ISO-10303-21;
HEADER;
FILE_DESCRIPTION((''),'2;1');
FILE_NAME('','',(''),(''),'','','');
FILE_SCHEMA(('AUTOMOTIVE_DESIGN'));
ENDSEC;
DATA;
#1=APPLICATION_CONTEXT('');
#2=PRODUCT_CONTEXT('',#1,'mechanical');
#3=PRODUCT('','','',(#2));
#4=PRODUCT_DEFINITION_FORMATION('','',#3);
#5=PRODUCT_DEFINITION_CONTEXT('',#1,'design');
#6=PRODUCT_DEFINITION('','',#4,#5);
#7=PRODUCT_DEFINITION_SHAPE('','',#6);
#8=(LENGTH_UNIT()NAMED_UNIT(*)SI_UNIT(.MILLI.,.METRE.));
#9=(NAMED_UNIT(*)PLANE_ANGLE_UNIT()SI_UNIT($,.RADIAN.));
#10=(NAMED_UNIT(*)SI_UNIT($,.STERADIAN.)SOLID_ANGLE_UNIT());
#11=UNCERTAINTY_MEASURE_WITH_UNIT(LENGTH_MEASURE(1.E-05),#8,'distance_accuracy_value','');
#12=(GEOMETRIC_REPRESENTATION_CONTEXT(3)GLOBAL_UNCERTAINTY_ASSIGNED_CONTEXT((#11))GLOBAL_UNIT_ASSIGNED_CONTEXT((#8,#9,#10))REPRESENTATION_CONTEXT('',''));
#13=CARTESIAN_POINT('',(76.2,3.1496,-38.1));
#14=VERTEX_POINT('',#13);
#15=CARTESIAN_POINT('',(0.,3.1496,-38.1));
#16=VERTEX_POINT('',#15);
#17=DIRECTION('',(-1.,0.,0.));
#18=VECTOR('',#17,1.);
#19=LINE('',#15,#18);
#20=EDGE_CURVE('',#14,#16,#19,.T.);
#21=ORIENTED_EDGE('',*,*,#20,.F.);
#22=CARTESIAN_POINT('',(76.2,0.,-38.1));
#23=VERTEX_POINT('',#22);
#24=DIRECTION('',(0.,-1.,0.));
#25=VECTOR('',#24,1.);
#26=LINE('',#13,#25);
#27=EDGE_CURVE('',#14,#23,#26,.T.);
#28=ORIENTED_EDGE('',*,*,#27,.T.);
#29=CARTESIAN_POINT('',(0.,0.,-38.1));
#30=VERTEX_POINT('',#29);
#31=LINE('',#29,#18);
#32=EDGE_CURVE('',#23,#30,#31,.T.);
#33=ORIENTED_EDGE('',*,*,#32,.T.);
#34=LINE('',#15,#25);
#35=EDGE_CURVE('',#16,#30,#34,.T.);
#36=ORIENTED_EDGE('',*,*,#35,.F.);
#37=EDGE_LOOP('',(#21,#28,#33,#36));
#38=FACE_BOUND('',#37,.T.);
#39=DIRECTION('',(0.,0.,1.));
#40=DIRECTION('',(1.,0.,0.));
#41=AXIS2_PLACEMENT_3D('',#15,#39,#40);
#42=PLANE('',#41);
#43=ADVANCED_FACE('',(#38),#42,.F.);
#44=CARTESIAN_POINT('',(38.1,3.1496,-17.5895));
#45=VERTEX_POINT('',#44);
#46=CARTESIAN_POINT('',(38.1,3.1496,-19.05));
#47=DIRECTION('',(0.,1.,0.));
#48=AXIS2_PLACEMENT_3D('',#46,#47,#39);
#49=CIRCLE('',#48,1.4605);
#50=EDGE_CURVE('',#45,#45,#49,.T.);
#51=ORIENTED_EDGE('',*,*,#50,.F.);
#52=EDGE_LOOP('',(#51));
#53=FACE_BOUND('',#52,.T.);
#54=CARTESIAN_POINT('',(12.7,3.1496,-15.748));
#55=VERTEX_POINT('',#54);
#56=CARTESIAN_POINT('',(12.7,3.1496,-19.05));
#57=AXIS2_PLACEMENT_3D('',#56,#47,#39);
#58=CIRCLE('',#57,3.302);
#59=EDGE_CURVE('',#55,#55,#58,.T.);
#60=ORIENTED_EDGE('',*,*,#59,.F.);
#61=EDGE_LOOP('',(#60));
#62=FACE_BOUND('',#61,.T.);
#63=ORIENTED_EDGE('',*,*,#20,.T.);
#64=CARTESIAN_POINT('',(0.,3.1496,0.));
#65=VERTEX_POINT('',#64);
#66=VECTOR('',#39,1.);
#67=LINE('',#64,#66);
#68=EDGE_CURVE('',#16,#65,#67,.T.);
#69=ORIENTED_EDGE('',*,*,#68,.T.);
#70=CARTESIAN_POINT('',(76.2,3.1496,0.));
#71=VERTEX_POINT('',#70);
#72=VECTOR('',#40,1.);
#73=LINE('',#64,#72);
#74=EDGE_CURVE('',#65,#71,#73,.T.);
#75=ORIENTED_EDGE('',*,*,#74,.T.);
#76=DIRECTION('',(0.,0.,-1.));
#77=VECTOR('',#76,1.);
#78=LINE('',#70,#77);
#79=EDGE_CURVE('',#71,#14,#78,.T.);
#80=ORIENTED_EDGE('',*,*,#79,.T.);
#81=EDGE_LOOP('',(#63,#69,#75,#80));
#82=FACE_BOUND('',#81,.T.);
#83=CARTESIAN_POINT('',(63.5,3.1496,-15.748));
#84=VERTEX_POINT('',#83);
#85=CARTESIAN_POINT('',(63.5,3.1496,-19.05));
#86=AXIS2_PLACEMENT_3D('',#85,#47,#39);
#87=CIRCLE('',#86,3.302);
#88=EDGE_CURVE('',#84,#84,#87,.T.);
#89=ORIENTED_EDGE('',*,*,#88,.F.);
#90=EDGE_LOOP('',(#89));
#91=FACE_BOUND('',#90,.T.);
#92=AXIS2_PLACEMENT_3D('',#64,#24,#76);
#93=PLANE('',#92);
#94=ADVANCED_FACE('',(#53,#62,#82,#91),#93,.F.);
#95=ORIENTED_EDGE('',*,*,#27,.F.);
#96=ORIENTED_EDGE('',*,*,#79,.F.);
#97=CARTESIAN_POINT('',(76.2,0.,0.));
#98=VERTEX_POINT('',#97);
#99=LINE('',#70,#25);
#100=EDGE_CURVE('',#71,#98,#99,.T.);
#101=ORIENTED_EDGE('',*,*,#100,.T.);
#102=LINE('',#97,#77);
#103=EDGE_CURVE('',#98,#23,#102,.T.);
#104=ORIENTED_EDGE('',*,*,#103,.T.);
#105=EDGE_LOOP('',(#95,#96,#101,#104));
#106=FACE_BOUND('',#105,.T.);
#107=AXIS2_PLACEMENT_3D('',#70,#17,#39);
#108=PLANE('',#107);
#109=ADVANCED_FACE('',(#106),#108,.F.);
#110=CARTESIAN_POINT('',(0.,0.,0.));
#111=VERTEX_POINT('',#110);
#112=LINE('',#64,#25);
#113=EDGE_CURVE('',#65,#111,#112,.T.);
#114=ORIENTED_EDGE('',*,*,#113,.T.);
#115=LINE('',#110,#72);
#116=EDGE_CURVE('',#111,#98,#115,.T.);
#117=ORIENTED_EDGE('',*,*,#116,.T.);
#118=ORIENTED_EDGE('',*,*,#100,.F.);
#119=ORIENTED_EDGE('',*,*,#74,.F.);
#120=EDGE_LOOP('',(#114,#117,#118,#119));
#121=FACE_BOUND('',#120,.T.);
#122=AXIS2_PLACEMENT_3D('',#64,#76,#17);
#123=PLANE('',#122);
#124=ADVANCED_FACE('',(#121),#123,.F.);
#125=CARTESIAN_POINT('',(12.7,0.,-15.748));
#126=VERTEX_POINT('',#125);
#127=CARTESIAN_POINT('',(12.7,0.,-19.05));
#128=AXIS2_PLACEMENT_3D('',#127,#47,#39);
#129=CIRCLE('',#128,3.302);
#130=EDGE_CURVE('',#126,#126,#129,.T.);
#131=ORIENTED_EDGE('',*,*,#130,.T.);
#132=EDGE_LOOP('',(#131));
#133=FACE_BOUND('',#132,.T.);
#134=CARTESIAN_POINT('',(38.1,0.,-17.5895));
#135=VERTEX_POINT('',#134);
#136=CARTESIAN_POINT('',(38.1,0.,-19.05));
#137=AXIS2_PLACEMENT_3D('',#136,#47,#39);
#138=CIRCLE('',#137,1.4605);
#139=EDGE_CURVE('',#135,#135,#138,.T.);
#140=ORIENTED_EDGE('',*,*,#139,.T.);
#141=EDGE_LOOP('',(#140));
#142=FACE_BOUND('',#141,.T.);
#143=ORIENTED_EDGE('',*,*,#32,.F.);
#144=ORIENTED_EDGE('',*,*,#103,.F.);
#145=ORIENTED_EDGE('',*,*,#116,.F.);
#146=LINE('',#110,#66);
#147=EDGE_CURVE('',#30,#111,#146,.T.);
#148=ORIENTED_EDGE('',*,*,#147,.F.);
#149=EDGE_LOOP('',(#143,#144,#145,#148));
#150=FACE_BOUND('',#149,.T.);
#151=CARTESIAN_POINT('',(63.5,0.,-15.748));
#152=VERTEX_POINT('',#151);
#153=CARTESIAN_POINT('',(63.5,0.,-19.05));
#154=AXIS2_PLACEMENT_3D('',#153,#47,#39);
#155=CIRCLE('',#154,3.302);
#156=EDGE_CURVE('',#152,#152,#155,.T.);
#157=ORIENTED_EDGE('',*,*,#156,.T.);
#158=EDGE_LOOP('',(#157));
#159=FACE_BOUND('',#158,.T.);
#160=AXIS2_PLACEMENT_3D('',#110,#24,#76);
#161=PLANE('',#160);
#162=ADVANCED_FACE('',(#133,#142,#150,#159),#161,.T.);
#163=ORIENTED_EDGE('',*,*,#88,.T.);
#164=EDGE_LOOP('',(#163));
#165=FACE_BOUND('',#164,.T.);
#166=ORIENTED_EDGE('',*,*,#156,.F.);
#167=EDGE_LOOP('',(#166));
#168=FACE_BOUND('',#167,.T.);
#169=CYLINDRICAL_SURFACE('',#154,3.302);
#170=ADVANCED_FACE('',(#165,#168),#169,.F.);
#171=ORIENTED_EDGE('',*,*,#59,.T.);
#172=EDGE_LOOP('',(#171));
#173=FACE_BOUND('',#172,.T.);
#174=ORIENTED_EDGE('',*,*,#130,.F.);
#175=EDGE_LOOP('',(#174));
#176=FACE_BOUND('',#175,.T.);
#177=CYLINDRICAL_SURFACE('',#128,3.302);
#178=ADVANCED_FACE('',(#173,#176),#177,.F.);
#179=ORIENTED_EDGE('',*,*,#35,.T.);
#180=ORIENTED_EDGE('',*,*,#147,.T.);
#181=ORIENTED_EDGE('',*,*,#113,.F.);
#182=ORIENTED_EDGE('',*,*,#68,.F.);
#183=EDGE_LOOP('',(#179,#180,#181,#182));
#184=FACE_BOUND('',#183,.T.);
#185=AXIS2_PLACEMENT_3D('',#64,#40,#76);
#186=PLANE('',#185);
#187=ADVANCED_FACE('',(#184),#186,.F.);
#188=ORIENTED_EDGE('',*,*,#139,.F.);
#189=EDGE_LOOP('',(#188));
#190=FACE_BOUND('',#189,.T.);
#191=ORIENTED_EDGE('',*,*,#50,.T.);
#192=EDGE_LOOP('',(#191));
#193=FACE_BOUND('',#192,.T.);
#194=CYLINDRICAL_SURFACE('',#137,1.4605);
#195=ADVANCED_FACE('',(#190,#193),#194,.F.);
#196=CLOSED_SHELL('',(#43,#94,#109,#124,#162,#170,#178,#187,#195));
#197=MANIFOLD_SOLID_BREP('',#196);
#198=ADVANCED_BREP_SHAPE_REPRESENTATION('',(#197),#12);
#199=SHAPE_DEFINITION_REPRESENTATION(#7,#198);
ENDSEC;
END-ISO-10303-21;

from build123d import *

# Parameters (mm, degrees)
SKETCH1_W           = 76.2
SKETCH1_H           = 38.1
BOSS_EXTRUDE1_DEPTH = 3.1496
SKETCH4_R           = 3.302
SKETCH4_R_2         = 1.4605
CUT_EXTRUDE2_DEPTH  = 86.252389879


with BuildPart() as part:
    # Sketch1 → Boss-Extrude1 (new body)
    with BuildSketch(Plane(origin=(0, 0, 0), x_dir=(1, 0, 0), z_dir=(0, 1, 0))):
        with Locations((38.1, 19.05)):
            Rectangle(SKETCH1_W, SKETCH1_H)
    extrude(amount=BOSS_EXTRUDE1_DEPTH)

    # Sketch4 → Cut-Extrude2 (cut, through all)
    with BuildSketch(Plane(origin=(0, 3.1496, 0), x_dir=(1, 0, 0), z_dir=(0, 1, 0))):
        with Locations(Location((12.7, 19.05, 0), (0, 0, 270))):
            Circle(SKETCH4_R)
        with Locations(Location((63.5, 19.05, 0), (0, 0, 270))):
            Circle(SKETCH4_R)
        with Locations(Location((38.1, 19.05, 0), (0, 0, 270))):
            Circle(SKETCH4_R_2)
    extrude(amount=-CUT_EXTRUDE2_DEPTH, mode=Mode.SUBTRACT)


solid = part.part
